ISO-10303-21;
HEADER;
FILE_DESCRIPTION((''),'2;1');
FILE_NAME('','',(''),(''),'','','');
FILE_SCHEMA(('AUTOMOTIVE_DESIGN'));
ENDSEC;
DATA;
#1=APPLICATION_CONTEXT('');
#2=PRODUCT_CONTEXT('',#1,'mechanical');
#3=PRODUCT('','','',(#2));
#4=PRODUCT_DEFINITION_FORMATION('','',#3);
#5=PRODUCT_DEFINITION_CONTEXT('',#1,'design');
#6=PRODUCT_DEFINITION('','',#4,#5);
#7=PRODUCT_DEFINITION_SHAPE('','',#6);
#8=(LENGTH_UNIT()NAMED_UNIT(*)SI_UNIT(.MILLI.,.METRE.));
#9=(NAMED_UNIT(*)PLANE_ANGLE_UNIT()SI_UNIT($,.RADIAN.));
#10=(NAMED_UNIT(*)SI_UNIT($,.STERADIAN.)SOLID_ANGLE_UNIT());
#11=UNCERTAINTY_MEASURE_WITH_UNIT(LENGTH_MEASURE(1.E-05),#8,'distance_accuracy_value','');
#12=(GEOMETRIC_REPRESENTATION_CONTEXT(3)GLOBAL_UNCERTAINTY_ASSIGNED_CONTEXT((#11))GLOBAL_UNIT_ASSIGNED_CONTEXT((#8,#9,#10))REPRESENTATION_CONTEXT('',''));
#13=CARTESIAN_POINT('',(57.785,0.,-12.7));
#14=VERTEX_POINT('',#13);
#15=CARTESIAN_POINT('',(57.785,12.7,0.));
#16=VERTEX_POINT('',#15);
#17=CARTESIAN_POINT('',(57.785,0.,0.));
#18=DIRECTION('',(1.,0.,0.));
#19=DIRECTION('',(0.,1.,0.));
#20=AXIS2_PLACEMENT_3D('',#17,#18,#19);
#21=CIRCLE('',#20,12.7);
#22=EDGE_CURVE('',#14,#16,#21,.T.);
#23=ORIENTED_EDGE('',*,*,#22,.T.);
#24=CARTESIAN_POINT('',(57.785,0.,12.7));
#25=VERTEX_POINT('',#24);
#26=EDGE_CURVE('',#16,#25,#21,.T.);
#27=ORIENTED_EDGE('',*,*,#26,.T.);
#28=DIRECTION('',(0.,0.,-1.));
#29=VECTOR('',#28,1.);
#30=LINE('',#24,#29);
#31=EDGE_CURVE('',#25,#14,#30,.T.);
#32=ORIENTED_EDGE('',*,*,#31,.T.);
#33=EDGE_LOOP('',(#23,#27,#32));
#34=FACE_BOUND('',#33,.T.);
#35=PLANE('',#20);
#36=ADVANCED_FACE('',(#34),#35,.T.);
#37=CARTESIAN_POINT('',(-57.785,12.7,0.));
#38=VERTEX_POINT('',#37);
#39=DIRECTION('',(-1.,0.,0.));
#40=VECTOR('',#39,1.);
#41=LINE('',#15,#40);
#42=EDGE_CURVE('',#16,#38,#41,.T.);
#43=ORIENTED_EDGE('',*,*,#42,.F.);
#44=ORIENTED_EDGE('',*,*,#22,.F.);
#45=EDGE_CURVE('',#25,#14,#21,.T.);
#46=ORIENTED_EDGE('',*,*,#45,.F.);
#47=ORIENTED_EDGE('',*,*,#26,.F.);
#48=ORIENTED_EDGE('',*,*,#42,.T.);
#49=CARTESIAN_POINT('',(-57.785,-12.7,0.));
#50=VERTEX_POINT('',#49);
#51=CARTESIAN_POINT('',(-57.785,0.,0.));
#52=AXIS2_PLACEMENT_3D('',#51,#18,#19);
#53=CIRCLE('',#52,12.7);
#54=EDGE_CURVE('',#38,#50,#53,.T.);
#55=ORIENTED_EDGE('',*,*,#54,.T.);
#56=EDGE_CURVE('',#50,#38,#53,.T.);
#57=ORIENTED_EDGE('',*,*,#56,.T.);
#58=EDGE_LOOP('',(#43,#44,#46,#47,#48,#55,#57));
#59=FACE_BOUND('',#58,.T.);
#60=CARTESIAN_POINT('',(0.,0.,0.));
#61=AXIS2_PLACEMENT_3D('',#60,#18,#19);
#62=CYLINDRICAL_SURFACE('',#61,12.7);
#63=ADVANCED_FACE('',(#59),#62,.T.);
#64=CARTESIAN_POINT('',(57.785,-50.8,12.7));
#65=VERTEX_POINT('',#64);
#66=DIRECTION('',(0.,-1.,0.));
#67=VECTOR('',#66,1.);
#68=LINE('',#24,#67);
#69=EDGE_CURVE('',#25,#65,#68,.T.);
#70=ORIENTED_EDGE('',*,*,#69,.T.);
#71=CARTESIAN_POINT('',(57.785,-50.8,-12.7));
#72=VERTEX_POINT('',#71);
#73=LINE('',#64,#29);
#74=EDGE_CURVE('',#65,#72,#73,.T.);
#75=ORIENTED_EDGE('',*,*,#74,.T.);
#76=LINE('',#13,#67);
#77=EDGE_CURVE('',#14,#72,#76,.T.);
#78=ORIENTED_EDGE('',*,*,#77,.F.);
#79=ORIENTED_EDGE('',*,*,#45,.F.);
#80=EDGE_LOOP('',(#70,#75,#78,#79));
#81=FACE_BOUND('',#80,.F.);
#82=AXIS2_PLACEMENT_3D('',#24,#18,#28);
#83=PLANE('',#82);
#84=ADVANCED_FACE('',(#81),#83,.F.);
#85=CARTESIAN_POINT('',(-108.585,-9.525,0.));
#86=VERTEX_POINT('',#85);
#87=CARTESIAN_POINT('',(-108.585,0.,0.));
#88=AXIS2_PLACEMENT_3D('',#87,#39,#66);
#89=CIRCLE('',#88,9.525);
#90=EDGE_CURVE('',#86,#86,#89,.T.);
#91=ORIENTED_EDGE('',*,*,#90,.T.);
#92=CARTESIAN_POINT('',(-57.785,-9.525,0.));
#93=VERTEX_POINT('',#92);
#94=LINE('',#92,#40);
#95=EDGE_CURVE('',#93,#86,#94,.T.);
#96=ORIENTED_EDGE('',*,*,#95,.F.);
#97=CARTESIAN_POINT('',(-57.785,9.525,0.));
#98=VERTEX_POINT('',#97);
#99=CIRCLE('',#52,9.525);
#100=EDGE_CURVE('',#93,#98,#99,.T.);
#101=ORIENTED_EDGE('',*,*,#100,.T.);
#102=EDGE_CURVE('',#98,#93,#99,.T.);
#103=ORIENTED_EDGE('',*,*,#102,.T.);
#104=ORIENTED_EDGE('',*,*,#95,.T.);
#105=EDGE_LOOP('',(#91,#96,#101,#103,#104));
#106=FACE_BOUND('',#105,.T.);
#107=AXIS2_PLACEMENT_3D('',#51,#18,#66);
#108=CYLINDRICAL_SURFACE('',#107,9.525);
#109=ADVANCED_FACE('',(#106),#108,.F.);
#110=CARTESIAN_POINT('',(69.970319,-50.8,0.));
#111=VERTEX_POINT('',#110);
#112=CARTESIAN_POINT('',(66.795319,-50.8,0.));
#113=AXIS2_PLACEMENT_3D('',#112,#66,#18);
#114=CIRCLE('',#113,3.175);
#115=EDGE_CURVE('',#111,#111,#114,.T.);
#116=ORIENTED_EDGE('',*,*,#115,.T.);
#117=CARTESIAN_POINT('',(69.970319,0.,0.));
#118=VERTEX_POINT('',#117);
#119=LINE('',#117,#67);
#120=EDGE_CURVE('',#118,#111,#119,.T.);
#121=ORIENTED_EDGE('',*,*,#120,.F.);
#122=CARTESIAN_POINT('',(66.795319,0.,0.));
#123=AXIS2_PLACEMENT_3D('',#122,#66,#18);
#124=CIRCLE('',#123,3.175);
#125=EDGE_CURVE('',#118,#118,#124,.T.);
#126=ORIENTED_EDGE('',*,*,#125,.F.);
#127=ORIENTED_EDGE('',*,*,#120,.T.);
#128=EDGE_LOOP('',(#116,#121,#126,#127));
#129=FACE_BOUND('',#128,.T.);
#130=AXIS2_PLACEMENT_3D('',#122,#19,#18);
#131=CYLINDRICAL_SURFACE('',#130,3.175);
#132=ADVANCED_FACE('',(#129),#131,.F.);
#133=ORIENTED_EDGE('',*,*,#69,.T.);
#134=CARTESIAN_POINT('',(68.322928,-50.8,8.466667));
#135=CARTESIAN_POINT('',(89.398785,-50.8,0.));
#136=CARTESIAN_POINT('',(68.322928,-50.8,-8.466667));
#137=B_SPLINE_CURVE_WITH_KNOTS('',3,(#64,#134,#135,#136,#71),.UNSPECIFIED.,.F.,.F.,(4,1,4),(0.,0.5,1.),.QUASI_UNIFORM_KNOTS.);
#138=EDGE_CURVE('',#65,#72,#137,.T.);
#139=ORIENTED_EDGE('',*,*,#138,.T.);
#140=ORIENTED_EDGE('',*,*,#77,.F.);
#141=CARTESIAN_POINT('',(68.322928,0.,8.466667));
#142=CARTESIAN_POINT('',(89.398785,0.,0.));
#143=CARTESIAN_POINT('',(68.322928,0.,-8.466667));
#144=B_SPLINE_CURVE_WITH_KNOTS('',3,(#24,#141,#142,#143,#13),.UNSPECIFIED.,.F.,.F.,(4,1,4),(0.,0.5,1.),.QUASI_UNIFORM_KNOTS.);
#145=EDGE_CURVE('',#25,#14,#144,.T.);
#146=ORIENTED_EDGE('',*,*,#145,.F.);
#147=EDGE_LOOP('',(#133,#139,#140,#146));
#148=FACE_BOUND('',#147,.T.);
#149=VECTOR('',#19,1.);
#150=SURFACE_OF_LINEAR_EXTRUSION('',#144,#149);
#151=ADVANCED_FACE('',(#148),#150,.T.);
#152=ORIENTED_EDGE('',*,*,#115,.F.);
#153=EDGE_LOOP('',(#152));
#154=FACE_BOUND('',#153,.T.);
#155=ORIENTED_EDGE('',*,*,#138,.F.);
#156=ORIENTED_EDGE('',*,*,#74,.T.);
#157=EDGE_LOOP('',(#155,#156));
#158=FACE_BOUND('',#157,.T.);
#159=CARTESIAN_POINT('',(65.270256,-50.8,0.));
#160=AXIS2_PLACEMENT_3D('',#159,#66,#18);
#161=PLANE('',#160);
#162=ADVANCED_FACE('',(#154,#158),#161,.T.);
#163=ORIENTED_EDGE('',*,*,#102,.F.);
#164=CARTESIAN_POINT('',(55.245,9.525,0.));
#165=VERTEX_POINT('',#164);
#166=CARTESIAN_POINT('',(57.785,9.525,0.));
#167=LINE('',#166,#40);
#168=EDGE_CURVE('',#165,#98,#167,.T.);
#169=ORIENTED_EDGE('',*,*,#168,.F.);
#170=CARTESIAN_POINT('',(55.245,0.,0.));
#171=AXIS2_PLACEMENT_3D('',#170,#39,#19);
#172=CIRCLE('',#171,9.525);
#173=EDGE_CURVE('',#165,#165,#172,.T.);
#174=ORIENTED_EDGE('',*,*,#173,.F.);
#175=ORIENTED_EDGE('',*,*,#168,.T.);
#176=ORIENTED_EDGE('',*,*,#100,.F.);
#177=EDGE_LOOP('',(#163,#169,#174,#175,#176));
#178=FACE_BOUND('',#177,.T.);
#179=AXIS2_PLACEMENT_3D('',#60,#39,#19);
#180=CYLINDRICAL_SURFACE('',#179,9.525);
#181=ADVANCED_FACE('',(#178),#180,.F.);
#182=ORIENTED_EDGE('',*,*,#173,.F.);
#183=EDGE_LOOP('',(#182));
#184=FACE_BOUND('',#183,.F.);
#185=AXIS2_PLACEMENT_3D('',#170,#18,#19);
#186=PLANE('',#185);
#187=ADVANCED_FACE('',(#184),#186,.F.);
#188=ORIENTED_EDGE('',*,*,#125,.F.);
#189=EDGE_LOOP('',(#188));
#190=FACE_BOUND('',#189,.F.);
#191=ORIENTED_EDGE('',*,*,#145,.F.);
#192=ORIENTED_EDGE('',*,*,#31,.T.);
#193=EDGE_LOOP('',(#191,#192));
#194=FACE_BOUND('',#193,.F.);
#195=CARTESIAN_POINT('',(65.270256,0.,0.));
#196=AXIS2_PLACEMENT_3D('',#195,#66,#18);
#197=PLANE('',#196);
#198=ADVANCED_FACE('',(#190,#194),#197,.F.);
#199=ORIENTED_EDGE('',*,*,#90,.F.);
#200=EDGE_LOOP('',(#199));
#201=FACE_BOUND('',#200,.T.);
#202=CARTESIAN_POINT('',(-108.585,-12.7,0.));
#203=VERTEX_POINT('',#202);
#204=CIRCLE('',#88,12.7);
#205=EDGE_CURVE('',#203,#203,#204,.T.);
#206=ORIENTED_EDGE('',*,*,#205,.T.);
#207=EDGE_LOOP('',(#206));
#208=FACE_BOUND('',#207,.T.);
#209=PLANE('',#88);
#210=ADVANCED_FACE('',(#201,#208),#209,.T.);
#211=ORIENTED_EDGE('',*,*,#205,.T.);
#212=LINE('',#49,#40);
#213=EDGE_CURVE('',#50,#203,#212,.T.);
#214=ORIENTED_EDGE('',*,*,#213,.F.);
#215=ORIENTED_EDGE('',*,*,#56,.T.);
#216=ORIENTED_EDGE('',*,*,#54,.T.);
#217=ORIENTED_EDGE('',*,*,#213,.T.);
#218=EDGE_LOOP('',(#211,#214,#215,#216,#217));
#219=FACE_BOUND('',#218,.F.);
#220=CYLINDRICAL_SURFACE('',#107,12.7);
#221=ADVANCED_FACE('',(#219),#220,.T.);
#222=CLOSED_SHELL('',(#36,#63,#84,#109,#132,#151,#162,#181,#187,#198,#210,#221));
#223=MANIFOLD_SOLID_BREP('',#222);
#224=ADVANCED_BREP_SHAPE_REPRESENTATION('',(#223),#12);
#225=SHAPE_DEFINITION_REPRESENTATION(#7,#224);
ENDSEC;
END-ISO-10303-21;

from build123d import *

# Parameters (mm, degrees)
F0_R     = 12.7
F0_R_2   = 9.525
F1_DEPTH = 57.785
F2_R     = 12.7
F3_DEPTH = 2.54
F4_R     = 3.175
F5_DEPTH = 50.8
F6_R     = 12.7
F6_R_2   = 9.525
F7_DEPTH = 50.8


with BuildPart() as f1:
    # F0 (on Right) → F1 (new body, symmetric)
    with BuildSketch(Plane.YZ):
        Circle(F0_R)
        Circle(F0_R_2, mode=Mode.SUBTRACT)
    extrude(amount=F1_DEPTH, both=True)

    # F2 (on face) → F3 (join)
    with BuildSketch(Plane.YZ.offset(57.785)):
        Circle(F2_R)
    extrude(amount=-F3_DEPTH)

    # F4 (on Front) → F5 (join)
    with BuildSketch(Plane.XZ):
        with BuildLine():
            Line((57.785, 12.7), (57.785, 0))
            Line((57.785, 0), (57.785, -12.7))
            add(Edge.make_bspline(
                [(57.785, 12.7), (68.3229282963, 8.4666666667), (89.398784889, 0), (68.3229282963, -8.4666666667), (57.785, -12.7)],
                knots=[0, 0, 0, 0, 0.5, 1, 1, 1, 1], degree=3))
        make_face()
        with Locations((66.7953193188, 0)):
            Circle(F4_R, mode=Mode.SUBTRACT)
    extrude(amount=F5_DEPTH)

    # F6 (on face) → F7 (join)
    with BuildSketch(Plane(origin=(-57.785, 0, 0), x_dir=(0, -1, 0), z_dir=(-1, 0, 0))):
        Circle(F6_R)
        Circle(F6_R_2, mode=Mode.SUBTRACT)
    extrude(amount=F7_DEPTH)


solid = f1.part
